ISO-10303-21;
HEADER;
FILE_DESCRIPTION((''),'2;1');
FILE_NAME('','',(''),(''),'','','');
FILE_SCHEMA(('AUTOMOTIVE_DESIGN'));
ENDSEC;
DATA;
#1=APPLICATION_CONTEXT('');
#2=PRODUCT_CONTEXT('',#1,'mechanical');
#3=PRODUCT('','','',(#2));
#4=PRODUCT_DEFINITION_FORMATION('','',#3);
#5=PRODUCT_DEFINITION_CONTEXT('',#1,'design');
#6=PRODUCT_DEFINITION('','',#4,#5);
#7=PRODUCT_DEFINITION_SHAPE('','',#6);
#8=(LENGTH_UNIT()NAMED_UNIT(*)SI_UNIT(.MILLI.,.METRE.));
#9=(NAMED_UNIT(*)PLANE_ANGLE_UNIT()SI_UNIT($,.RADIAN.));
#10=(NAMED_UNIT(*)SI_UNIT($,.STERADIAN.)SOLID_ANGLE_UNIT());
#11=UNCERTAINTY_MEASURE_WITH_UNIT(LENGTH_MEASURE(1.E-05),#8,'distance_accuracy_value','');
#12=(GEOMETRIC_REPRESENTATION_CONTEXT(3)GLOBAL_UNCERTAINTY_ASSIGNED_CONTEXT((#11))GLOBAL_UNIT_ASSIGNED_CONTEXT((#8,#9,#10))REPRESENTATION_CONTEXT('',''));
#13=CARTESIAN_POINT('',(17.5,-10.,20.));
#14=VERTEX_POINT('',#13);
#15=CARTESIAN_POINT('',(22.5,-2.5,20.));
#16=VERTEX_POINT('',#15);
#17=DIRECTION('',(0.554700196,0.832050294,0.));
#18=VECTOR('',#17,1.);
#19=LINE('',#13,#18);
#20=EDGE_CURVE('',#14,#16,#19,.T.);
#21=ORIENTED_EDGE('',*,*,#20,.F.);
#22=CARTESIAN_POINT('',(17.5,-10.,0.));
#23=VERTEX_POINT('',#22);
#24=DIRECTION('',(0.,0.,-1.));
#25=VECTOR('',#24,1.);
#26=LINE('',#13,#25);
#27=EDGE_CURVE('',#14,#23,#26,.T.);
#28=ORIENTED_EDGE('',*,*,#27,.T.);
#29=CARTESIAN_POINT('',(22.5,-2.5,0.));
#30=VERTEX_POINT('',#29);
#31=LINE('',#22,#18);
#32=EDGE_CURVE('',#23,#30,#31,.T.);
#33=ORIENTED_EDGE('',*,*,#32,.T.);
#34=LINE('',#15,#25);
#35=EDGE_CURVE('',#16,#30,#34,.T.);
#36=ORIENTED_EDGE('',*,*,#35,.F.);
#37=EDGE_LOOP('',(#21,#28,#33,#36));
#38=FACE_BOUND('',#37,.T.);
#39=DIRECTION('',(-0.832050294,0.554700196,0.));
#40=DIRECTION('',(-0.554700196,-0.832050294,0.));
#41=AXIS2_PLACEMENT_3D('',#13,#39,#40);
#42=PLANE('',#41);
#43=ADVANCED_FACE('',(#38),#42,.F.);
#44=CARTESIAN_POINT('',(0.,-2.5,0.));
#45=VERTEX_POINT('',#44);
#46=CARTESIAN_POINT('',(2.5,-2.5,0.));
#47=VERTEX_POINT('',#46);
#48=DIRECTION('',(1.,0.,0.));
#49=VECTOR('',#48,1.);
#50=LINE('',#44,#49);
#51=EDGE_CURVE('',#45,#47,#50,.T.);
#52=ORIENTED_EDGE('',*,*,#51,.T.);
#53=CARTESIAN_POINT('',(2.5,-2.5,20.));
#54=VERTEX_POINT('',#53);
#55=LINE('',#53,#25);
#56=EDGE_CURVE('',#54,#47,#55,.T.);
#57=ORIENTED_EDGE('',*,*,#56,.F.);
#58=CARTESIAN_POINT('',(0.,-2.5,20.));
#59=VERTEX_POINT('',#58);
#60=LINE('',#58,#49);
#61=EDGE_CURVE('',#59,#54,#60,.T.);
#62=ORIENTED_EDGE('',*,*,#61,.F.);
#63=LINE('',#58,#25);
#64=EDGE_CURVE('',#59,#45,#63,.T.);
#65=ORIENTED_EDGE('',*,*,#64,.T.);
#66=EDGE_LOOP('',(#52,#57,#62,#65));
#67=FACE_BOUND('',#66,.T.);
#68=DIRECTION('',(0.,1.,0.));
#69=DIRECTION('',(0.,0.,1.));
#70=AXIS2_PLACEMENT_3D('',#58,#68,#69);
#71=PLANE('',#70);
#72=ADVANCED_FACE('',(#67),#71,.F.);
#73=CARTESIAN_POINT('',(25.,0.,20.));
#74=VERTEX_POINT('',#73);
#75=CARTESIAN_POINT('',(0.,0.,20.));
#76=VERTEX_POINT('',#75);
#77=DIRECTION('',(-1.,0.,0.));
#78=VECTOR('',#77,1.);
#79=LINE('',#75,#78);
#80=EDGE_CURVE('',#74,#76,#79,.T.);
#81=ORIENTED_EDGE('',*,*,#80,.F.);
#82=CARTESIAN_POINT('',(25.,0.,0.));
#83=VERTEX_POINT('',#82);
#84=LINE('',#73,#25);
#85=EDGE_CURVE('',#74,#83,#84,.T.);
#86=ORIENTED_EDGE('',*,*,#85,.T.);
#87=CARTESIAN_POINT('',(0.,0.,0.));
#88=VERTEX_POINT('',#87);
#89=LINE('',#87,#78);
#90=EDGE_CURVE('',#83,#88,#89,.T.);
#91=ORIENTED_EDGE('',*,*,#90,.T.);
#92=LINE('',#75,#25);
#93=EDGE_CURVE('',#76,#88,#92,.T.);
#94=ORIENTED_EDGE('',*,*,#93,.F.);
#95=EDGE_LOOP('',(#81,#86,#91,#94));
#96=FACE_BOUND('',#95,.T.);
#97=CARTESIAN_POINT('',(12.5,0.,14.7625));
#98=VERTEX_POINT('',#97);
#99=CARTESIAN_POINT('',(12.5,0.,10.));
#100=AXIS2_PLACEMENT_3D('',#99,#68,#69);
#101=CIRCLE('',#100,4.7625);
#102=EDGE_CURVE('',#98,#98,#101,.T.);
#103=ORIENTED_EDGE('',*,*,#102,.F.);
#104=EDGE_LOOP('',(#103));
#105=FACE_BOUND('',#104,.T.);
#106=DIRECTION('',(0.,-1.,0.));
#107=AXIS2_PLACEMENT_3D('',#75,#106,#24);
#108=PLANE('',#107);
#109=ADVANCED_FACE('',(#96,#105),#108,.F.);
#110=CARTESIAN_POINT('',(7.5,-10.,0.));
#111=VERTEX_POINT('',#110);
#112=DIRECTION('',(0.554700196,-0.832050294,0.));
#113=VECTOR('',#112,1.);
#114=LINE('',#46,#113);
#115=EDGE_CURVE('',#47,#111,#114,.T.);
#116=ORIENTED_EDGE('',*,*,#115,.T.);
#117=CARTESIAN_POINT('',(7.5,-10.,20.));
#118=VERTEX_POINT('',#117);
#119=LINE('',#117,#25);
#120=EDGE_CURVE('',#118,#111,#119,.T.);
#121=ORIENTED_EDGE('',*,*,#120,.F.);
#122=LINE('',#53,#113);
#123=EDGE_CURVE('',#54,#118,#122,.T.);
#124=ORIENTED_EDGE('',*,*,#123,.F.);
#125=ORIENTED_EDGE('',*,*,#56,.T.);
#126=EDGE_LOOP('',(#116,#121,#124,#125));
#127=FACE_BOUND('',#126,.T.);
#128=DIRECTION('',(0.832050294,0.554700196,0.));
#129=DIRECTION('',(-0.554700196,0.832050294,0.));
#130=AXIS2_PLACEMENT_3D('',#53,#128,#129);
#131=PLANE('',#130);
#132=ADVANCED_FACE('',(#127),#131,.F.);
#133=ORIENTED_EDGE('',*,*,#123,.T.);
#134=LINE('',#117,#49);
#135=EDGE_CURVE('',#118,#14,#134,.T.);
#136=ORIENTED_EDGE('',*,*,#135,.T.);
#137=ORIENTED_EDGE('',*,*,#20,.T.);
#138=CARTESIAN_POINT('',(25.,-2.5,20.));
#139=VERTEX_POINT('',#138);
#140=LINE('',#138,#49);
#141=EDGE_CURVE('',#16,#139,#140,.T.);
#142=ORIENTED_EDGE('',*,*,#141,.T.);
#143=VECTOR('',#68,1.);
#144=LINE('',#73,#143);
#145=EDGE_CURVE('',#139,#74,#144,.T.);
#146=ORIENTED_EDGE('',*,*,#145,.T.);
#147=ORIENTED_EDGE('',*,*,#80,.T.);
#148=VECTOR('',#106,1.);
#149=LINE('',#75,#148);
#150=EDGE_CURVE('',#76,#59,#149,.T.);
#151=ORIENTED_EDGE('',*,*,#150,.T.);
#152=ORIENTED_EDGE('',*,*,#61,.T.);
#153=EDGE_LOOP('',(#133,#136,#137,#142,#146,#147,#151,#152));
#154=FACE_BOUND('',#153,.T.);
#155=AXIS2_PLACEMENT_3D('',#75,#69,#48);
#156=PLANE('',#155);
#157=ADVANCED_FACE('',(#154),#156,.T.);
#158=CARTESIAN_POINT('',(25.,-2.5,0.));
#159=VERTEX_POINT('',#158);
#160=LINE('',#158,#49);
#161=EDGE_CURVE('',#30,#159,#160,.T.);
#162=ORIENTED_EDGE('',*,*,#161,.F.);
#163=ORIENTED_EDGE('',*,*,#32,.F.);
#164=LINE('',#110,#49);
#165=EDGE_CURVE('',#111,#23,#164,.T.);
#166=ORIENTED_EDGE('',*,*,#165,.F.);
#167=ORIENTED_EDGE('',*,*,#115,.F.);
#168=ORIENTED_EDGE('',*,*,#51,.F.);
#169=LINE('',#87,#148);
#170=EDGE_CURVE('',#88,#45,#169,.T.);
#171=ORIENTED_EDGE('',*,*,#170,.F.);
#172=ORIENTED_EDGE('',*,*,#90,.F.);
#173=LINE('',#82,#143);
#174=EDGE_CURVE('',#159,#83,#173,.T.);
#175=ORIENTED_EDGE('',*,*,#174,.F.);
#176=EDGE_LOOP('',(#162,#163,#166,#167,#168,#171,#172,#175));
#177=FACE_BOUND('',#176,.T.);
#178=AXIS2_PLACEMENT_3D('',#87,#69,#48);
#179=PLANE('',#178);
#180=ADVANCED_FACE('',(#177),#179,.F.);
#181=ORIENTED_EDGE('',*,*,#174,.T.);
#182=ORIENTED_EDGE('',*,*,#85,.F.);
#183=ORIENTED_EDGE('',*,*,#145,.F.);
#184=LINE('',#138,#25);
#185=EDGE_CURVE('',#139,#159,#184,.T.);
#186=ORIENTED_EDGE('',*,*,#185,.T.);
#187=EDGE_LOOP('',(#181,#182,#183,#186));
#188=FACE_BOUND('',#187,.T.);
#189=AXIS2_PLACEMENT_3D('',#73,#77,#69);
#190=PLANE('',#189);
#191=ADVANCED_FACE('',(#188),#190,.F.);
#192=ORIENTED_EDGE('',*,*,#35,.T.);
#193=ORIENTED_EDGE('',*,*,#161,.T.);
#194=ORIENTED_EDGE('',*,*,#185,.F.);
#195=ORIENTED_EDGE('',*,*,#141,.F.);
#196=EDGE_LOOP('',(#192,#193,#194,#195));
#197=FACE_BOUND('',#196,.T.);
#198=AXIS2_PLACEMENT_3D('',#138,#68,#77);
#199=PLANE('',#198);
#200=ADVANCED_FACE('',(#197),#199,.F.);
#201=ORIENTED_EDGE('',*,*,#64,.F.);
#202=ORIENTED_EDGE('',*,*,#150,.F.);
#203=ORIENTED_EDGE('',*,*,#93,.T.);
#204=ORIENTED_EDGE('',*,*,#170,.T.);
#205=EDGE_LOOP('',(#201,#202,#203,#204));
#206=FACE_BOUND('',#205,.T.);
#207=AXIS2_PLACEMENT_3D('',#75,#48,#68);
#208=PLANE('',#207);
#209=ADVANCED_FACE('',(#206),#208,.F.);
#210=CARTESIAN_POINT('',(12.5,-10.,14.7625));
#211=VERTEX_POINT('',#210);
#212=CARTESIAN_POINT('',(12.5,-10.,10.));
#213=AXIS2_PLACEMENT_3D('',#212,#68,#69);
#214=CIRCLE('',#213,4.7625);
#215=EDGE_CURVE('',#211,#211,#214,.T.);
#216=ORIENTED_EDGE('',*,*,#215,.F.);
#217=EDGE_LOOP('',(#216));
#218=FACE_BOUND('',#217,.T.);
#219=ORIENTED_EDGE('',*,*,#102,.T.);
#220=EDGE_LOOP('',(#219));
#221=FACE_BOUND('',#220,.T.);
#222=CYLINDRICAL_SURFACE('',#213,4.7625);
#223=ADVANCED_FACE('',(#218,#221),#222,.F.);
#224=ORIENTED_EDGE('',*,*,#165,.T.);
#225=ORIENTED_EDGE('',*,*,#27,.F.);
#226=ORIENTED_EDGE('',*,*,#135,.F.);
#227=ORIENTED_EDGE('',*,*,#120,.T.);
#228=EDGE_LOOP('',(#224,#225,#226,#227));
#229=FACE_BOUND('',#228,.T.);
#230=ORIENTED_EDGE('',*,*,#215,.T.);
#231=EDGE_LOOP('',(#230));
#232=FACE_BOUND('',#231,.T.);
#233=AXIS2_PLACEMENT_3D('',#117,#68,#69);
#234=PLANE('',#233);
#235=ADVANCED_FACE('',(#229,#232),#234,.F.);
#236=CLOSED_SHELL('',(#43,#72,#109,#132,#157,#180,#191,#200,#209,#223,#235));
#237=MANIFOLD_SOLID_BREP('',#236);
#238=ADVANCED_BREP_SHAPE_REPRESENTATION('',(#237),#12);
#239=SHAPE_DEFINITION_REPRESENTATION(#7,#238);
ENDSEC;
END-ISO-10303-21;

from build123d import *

# Parameters (mm, degrees)
SALIENTE_EXTRUIR1_DEPTH = 20
CORTAR_EXTRUIR1_START   = -10
CROQUIS2_R              = 4.7625
CORTAR_EXTRUIR1_DEPTH   = 10


with BuildPart() as part:
    # Croquis1 → Saliente-Extruir1 (new body)
    with BuildSketch(Plane.XY):
        Polygon((0, 0), (25, 0), (25, -2.5), (22.5, -2.5), (17.5, -10), (7.5, -10), (2.5, -2.5), (0, -2.5), align=None)
    extrude(amount=SALIENTE_EXTRUIR1_DEPTH)

    # Croquis2 → Cortar-Extruir1 (cut)
    with BuildSketch(Plane(origin=(0, 0, 0), x_dir=(1, 0, 0), z_dir=(0, 1, 0)).offset(CORTAR_EXTRUIR1_START)):
        with Locations(Location((12.5, -10, 0), (0, 0, 270))):
            Circle(CROQUIS2_R)
    extrude(amount=CORTAR_EXTRUIR1_DEPTH, mode=Mode.SUBTRACT)


solid = part.part
